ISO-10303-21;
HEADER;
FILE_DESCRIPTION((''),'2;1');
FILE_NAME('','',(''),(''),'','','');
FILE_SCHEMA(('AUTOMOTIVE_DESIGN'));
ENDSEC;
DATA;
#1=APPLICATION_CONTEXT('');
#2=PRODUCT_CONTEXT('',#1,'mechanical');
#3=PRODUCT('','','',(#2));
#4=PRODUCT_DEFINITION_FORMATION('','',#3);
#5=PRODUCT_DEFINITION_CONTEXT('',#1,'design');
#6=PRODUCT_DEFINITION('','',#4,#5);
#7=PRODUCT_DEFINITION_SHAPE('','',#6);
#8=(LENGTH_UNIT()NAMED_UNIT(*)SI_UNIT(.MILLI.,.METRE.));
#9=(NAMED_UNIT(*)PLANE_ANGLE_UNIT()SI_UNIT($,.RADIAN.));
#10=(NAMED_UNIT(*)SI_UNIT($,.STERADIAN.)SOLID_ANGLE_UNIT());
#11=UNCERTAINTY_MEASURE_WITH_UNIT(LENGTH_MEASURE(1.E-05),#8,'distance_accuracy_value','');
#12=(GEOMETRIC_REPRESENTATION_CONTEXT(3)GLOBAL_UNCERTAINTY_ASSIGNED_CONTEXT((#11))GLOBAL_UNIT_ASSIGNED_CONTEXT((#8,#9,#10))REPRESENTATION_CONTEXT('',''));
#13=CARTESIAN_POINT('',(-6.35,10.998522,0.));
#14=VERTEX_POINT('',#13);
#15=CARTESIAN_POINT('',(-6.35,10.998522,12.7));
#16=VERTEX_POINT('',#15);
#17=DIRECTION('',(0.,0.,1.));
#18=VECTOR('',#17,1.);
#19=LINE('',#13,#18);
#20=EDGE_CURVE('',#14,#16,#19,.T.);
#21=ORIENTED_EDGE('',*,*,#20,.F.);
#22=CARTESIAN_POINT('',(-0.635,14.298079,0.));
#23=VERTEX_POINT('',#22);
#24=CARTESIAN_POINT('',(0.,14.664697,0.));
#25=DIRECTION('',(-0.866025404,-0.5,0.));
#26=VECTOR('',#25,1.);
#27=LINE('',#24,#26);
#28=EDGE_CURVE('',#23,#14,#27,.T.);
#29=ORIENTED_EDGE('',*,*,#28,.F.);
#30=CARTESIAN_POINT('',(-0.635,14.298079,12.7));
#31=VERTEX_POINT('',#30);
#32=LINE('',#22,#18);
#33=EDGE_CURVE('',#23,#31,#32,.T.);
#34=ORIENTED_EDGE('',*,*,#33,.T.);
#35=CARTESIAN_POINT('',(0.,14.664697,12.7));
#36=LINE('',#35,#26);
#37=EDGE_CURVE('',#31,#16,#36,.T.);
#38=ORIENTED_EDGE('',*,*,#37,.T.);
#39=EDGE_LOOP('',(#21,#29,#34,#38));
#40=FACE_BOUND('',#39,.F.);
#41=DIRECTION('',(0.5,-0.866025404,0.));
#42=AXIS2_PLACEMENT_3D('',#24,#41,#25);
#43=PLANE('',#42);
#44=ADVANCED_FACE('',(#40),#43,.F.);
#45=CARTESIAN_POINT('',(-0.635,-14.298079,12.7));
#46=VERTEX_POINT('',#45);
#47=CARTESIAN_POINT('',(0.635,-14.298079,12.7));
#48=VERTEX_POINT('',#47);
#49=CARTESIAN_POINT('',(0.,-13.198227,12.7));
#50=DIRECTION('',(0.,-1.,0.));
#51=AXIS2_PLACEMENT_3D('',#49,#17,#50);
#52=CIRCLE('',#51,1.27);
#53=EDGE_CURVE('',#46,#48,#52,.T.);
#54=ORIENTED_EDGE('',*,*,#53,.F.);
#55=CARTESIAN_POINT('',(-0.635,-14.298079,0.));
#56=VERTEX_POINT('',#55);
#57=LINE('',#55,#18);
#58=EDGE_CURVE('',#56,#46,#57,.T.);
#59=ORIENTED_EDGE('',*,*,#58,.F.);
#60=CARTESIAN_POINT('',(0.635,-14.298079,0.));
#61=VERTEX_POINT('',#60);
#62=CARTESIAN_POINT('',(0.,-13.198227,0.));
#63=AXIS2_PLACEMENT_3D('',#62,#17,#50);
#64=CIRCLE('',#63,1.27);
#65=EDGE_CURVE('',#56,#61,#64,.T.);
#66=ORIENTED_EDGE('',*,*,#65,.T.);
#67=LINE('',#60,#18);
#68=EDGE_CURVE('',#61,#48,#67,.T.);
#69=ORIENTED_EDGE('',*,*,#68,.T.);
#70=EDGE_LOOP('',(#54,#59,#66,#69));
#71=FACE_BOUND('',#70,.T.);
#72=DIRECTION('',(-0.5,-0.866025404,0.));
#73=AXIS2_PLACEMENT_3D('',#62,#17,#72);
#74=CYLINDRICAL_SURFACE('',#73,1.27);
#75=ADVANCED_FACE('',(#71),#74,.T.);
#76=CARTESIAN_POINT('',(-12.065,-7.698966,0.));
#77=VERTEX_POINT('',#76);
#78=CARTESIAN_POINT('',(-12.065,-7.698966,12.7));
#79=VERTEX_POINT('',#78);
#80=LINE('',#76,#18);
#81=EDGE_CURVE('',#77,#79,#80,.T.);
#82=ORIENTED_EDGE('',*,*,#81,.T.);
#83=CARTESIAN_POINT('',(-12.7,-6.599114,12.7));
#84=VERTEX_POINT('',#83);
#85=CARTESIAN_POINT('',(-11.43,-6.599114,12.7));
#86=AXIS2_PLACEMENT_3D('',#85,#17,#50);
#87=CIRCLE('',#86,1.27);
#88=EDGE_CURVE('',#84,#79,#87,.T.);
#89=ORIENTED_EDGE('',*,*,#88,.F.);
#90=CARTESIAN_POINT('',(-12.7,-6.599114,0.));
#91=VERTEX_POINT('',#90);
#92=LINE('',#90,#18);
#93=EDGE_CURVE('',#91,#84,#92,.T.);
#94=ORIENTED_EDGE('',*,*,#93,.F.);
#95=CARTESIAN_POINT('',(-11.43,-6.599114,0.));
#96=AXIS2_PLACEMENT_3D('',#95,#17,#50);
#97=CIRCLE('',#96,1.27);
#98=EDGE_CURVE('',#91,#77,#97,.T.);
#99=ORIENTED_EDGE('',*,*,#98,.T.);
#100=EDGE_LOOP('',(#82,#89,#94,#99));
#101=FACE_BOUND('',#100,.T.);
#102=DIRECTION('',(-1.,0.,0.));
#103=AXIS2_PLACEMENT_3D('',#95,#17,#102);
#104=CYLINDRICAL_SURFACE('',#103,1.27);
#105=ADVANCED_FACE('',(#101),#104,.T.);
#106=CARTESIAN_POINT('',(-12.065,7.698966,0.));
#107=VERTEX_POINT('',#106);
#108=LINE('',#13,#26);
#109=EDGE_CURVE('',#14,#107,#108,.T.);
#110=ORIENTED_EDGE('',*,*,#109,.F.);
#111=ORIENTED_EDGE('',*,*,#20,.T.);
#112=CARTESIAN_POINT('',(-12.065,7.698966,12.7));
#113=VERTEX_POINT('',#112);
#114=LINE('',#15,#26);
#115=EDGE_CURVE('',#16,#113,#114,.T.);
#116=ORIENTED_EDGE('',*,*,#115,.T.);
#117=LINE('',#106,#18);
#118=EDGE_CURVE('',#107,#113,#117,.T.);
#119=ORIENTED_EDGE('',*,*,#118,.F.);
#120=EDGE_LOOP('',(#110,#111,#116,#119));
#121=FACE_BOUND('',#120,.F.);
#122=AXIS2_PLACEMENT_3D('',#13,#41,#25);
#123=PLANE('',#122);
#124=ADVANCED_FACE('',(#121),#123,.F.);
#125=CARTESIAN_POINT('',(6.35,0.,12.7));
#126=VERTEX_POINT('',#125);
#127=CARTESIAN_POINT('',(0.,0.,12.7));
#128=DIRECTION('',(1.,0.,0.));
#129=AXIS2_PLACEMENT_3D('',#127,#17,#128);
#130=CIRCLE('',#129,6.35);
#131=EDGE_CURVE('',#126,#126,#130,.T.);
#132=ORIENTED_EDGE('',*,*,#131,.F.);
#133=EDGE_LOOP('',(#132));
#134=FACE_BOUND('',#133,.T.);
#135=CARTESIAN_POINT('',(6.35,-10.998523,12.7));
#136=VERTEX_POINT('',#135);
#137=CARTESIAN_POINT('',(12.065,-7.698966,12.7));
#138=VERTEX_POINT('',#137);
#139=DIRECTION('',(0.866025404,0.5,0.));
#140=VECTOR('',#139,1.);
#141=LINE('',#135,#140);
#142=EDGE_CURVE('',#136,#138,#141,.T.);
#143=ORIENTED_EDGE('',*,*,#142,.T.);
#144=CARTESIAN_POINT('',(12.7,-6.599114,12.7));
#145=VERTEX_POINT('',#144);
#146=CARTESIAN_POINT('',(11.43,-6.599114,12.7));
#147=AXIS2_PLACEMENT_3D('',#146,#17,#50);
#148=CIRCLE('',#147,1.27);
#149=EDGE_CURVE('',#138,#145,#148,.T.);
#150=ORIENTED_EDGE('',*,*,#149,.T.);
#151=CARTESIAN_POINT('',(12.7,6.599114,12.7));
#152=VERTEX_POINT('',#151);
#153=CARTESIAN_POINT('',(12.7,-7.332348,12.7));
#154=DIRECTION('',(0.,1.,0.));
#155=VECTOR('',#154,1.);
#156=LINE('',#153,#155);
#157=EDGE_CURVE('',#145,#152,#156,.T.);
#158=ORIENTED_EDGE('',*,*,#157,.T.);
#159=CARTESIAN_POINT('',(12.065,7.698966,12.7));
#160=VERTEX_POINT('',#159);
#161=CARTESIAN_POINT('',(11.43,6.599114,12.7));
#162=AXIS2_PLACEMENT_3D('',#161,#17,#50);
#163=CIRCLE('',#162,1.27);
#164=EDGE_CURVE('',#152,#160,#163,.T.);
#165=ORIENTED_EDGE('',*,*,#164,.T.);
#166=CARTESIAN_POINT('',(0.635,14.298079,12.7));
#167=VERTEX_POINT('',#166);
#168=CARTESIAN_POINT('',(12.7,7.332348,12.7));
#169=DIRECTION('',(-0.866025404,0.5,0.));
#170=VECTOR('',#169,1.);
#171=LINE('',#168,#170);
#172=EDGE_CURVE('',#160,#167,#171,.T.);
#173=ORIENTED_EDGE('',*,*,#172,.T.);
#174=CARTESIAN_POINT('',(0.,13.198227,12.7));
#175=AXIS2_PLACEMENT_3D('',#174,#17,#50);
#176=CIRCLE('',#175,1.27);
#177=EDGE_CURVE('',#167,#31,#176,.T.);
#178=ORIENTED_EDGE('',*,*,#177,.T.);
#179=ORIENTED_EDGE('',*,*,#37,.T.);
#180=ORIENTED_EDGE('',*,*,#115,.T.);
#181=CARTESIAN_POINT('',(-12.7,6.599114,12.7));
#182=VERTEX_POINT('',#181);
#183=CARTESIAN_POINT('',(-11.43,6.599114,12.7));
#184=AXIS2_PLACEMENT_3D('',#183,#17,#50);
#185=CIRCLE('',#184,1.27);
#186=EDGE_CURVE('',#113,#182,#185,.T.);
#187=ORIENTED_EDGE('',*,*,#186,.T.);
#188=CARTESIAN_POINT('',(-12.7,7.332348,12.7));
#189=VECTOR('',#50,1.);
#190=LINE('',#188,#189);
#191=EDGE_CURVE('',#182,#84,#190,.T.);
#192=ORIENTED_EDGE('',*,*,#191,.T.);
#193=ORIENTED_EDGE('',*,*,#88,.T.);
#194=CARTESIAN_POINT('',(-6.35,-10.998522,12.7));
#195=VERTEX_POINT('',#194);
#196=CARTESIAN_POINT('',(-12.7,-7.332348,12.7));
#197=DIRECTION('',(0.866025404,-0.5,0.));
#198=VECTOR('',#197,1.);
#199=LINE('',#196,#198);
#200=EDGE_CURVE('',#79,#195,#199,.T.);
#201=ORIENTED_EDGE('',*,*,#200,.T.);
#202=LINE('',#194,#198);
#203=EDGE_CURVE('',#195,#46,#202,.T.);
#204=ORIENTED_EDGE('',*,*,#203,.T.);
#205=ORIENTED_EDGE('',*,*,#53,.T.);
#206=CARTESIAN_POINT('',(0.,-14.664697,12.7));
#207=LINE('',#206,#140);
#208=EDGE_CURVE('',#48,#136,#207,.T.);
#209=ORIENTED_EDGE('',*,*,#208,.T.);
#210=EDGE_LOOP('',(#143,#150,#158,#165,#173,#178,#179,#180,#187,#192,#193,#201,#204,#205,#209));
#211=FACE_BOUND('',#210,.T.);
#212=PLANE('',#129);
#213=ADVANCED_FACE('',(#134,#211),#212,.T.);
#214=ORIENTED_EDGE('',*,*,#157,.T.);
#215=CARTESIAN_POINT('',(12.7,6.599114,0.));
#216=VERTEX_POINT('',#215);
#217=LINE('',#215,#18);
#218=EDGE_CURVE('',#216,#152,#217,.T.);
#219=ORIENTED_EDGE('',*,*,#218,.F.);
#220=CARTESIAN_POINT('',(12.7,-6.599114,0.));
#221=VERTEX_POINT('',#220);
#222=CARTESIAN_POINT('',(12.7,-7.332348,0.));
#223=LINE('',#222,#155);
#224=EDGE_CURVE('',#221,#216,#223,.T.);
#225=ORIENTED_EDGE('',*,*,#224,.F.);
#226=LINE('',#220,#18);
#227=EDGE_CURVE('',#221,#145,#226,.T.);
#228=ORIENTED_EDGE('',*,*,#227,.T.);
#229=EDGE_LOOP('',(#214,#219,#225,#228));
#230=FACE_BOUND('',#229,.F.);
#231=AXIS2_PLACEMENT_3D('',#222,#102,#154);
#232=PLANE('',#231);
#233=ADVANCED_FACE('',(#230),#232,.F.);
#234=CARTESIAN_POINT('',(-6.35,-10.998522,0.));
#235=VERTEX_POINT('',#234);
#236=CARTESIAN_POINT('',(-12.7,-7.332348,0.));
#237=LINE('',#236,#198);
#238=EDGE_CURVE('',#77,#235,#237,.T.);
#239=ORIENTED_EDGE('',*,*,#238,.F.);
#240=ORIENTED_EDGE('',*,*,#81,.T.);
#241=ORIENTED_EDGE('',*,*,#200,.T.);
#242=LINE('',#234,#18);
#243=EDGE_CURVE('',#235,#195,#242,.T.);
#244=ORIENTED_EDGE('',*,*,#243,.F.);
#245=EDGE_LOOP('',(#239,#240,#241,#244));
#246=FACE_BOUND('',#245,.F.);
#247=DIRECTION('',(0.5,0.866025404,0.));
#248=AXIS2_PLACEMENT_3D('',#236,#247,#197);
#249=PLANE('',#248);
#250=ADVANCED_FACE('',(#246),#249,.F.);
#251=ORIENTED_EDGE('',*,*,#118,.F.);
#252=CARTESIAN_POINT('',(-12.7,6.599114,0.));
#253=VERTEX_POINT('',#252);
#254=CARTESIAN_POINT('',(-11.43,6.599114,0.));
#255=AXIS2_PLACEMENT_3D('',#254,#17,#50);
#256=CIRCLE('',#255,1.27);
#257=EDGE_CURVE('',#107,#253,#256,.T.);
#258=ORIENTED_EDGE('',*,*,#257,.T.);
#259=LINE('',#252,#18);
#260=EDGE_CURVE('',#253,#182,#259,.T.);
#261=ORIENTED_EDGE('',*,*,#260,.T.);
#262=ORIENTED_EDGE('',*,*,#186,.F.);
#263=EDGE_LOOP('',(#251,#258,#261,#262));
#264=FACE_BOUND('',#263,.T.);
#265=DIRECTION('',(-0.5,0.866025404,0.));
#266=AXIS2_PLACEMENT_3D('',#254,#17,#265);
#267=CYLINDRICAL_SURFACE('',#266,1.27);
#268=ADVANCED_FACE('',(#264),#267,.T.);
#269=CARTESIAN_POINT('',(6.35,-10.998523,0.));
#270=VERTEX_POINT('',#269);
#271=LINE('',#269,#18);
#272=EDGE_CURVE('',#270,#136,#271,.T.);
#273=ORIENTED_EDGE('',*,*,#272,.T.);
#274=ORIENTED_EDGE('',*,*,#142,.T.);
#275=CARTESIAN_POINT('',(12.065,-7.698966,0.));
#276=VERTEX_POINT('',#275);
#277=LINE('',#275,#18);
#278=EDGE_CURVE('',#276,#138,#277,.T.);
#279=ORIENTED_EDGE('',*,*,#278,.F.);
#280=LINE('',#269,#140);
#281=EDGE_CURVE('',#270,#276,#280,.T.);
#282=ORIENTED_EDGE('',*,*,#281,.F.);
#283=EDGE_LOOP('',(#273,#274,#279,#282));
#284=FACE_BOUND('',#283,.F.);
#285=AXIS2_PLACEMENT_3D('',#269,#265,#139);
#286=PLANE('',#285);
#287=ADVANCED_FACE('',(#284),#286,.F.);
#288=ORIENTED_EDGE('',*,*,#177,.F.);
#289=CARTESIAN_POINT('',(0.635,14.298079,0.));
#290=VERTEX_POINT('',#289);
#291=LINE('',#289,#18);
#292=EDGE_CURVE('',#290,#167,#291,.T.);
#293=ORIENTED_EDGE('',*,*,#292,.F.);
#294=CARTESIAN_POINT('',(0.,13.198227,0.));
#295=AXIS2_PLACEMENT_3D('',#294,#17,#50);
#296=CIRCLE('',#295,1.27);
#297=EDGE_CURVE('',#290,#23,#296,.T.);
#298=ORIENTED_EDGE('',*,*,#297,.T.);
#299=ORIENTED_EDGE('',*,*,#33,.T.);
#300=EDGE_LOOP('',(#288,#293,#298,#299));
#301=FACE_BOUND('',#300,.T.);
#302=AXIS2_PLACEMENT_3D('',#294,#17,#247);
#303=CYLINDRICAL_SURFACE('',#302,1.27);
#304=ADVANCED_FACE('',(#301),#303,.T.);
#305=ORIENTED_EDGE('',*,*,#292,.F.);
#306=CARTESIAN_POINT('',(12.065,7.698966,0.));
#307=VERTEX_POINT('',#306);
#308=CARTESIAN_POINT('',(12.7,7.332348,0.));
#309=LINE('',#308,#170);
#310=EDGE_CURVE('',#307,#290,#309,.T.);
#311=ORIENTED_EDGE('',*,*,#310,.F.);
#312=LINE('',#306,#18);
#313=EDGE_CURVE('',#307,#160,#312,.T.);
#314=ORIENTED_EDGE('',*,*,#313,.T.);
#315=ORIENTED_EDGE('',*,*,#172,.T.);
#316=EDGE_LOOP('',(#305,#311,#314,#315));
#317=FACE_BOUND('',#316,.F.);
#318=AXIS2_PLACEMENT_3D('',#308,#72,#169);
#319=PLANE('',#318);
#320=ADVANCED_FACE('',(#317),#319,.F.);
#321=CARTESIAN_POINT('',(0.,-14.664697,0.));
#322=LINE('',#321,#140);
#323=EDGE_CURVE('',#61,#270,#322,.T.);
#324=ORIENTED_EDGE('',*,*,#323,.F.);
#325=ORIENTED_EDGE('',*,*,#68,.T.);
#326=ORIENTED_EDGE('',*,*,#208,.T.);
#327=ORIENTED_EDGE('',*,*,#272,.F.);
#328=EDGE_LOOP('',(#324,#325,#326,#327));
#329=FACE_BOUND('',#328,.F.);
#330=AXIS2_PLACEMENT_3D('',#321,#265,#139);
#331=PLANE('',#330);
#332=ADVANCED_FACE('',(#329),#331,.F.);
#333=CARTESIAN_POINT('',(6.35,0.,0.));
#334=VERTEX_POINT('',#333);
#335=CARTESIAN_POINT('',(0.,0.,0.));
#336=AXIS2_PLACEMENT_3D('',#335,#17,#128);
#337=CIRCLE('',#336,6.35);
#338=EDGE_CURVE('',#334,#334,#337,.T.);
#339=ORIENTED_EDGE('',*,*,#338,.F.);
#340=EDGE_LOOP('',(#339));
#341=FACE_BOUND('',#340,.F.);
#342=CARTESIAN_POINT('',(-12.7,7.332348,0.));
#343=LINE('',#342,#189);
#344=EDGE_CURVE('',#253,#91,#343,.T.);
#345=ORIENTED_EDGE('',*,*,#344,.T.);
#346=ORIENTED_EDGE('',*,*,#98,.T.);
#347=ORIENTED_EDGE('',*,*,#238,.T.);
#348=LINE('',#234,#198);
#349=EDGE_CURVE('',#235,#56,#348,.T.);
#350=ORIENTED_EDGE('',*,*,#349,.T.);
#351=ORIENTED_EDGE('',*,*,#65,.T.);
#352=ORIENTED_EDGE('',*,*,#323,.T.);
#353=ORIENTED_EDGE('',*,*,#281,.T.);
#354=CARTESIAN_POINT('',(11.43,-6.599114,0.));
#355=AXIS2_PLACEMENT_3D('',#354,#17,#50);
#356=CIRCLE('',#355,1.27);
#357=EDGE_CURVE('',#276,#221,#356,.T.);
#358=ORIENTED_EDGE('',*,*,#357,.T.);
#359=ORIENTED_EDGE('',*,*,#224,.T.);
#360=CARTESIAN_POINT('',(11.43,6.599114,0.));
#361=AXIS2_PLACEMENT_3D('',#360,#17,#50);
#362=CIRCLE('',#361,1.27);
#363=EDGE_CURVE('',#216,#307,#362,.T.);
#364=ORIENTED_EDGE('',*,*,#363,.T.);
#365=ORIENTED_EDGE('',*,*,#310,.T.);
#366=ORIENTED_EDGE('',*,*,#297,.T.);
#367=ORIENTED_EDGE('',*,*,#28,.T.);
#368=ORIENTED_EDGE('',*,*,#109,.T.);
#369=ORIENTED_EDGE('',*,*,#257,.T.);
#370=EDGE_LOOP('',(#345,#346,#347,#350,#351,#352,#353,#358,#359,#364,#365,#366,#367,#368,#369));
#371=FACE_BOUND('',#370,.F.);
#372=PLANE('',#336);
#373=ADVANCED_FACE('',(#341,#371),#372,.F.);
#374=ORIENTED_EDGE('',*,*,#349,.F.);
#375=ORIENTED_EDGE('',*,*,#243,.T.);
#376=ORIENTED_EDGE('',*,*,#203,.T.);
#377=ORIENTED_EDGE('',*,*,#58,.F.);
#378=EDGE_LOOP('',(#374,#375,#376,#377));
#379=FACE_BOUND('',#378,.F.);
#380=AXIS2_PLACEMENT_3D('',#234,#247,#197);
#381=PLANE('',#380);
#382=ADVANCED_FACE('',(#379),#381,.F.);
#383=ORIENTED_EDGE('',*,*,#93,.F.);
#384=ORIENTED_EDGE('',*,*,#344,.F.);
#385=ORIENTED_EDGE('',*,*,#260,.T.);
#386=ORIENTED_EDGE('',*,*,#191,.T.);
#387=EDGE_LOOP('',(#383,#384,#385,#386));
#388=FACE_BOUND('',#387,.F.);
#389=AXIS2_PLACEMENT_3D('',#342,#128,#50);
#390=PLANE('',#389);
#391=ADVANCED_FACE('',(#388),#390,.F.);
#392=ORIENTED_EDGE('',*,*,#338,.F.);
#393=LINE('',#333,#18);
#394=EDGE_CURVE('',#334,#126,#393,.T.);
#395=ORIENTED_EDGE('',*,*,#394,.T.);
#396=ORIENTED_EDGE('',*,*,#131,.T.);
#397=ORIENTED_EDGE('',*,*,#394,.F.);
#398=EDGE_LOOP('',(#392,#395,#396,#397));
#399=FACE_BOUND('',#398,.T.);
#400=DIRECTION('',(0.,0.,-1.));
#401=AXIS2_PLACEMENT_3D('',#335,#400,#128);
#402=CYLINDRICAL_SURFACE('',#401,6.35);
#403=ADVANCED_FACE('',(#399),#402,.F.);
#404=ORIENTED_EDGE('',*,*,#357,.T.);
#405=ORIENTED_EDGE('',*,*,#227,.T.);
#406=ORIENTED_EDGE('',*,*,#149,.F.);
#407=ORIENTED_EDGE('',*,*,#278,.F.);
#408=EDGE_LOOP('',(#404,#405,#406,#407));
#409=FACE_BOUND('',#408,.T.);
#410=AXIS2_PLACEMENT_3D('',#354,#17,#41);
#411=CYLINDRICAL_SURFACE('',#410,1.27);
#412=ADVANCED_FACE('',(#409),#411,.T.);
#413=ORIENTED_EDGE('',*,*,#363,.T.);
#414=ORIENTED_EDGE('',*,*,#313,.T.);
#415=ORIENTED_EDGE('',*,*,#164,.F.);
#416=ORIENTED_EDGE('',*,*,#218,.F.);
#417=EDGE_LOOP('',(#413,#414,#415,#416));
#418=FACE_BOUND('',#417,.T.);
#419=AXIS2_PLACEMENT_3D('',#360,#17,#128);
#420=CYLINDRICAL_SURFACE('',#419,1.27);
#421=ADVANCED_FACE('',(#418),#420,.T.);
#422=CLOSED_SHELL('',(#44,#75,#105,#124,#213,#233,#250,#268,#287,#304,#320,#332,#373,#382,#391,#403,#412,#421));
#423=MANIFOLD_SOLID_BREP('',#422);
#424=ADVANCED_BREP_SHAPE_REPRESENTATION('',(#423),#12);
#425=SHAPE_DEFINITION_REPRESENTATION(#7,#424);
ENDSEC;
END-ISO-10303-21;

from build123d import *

# Parameters (mm, degrees)
F0_R     = 6.35
F1_DEPTH = 12.7
F2_R     = 1.27


with BuildPart() as f1:
    # F0 (on Top) → F1 (new body)
    with BuildSketch(Plane.XY):
        with BuildLine():
            ThreePointArc((6.3499999966, -10.99852263), (10.9985226271, -6.3500000017), (12.7, 0))
            ThreePointArc((12.7, 0), (10.9985227204, 6.34999984), (6.35000032, 10.9985224433))
            ThreePointArc((6.35000032, 10.9985224433), (1.4e-09, 12.7), (-6.3500003177, 10.9985224446))
            ThreePointArc((-6.3500003177, 10.9985224446), (-10.9985227198, 6.3499998412), (-12.7, 0))
            ThreePointArc((-12.7, 0), (-10.998522762, -6.349999768), (-6.350000464, -10.9985223601))
            ThreePointArc((-6.350000464, -10.9985223601), (-2.698e-07, -12.7), (6.3499999966, -10.99852263))
        make_face()
        Circle(F0_R, mode=Mode.SUBTRACT)
        with BuildLine():
            Line((12.7, -7.3323484187), (12.7, 0))
            ThreePointArc((12.7, 0), (10.9985226271, -6.3500000017), (6.3499999966, -10.99852263))
            Line((6.3499999966, -10.99852263), (12.7, -7.3323484187))
        make_face()
        with BuildLine():
            ThreePointArc((6.35000032, 10.9985224433), (10.9985227204, 6.34999984), (12.7, 0))
            Line((12.7, 0), (12.7, 7.3323484187))
            Line((12.7, 7.3323484187), (6.35000032, 10.9985224433))
        make_face()
        with BuildLine():
            ThreePointArc((-6.3500003177, 10.9985224446), (1.4e-09, 12.7), (6.35000032, 10.9985224433))
            Line((6.35000032, 10.9985224433), (0, 14.6646968374))
            Line((0, 14.6646968374), (-6.3500003177, 10.9985224446))
        make_face()
        with BuildLine():
            Line((0, -14.6646968374), (6.3499999966, -10.99852263))
            ThreePointArc((6.3499999966, -10.99852263), (-2.698e-07, -12.7), (-6.350000464, -10.9985223601))
            Line((-6.350000464, -10.9985223601), (0, -14.6646968374))
        make_face()
        with BuildLine():
            ThreePointArc((-12.7, 0), (-10.9985227198, 6.3499998412), (-6.3500003177, 10.9985224446))
            Line((-6.3500003177, 10.9985224446), (-12.7, 7.3323484187))
            Line((-12.7, 7.3323484187), (-12.7, 0))
        make_face()
        with BuildLine():
            Line((-12.7, -7.3323484187), (-6.350000464, -10.9985223601))
            ThreePointArc((-6.350000464, -10.9985223601), (-10.998522762, -6.349999768), (-12.7, 0))
            Line((-12.7, 0), (-12.7, -7.3323484187))
        make_face()
    extrude(amount=F1_DEPTH)

    # F2
    f2_edges = [f1.edges().sort_by_distance(p)[0] for p in [
        (-12.7, -7.332348, 6.35),
        (0, -14.664697, 6.35),
        (12.7, -7.332348, 6.35),
        (12.7, 7.332348, 6.35),
        (0, 14.664697, 6.35),
        (-12.7, 7.332348, 6.35),
    ]]
    fillet(f2_edges, radius=F2_R)


solid = f1.part
